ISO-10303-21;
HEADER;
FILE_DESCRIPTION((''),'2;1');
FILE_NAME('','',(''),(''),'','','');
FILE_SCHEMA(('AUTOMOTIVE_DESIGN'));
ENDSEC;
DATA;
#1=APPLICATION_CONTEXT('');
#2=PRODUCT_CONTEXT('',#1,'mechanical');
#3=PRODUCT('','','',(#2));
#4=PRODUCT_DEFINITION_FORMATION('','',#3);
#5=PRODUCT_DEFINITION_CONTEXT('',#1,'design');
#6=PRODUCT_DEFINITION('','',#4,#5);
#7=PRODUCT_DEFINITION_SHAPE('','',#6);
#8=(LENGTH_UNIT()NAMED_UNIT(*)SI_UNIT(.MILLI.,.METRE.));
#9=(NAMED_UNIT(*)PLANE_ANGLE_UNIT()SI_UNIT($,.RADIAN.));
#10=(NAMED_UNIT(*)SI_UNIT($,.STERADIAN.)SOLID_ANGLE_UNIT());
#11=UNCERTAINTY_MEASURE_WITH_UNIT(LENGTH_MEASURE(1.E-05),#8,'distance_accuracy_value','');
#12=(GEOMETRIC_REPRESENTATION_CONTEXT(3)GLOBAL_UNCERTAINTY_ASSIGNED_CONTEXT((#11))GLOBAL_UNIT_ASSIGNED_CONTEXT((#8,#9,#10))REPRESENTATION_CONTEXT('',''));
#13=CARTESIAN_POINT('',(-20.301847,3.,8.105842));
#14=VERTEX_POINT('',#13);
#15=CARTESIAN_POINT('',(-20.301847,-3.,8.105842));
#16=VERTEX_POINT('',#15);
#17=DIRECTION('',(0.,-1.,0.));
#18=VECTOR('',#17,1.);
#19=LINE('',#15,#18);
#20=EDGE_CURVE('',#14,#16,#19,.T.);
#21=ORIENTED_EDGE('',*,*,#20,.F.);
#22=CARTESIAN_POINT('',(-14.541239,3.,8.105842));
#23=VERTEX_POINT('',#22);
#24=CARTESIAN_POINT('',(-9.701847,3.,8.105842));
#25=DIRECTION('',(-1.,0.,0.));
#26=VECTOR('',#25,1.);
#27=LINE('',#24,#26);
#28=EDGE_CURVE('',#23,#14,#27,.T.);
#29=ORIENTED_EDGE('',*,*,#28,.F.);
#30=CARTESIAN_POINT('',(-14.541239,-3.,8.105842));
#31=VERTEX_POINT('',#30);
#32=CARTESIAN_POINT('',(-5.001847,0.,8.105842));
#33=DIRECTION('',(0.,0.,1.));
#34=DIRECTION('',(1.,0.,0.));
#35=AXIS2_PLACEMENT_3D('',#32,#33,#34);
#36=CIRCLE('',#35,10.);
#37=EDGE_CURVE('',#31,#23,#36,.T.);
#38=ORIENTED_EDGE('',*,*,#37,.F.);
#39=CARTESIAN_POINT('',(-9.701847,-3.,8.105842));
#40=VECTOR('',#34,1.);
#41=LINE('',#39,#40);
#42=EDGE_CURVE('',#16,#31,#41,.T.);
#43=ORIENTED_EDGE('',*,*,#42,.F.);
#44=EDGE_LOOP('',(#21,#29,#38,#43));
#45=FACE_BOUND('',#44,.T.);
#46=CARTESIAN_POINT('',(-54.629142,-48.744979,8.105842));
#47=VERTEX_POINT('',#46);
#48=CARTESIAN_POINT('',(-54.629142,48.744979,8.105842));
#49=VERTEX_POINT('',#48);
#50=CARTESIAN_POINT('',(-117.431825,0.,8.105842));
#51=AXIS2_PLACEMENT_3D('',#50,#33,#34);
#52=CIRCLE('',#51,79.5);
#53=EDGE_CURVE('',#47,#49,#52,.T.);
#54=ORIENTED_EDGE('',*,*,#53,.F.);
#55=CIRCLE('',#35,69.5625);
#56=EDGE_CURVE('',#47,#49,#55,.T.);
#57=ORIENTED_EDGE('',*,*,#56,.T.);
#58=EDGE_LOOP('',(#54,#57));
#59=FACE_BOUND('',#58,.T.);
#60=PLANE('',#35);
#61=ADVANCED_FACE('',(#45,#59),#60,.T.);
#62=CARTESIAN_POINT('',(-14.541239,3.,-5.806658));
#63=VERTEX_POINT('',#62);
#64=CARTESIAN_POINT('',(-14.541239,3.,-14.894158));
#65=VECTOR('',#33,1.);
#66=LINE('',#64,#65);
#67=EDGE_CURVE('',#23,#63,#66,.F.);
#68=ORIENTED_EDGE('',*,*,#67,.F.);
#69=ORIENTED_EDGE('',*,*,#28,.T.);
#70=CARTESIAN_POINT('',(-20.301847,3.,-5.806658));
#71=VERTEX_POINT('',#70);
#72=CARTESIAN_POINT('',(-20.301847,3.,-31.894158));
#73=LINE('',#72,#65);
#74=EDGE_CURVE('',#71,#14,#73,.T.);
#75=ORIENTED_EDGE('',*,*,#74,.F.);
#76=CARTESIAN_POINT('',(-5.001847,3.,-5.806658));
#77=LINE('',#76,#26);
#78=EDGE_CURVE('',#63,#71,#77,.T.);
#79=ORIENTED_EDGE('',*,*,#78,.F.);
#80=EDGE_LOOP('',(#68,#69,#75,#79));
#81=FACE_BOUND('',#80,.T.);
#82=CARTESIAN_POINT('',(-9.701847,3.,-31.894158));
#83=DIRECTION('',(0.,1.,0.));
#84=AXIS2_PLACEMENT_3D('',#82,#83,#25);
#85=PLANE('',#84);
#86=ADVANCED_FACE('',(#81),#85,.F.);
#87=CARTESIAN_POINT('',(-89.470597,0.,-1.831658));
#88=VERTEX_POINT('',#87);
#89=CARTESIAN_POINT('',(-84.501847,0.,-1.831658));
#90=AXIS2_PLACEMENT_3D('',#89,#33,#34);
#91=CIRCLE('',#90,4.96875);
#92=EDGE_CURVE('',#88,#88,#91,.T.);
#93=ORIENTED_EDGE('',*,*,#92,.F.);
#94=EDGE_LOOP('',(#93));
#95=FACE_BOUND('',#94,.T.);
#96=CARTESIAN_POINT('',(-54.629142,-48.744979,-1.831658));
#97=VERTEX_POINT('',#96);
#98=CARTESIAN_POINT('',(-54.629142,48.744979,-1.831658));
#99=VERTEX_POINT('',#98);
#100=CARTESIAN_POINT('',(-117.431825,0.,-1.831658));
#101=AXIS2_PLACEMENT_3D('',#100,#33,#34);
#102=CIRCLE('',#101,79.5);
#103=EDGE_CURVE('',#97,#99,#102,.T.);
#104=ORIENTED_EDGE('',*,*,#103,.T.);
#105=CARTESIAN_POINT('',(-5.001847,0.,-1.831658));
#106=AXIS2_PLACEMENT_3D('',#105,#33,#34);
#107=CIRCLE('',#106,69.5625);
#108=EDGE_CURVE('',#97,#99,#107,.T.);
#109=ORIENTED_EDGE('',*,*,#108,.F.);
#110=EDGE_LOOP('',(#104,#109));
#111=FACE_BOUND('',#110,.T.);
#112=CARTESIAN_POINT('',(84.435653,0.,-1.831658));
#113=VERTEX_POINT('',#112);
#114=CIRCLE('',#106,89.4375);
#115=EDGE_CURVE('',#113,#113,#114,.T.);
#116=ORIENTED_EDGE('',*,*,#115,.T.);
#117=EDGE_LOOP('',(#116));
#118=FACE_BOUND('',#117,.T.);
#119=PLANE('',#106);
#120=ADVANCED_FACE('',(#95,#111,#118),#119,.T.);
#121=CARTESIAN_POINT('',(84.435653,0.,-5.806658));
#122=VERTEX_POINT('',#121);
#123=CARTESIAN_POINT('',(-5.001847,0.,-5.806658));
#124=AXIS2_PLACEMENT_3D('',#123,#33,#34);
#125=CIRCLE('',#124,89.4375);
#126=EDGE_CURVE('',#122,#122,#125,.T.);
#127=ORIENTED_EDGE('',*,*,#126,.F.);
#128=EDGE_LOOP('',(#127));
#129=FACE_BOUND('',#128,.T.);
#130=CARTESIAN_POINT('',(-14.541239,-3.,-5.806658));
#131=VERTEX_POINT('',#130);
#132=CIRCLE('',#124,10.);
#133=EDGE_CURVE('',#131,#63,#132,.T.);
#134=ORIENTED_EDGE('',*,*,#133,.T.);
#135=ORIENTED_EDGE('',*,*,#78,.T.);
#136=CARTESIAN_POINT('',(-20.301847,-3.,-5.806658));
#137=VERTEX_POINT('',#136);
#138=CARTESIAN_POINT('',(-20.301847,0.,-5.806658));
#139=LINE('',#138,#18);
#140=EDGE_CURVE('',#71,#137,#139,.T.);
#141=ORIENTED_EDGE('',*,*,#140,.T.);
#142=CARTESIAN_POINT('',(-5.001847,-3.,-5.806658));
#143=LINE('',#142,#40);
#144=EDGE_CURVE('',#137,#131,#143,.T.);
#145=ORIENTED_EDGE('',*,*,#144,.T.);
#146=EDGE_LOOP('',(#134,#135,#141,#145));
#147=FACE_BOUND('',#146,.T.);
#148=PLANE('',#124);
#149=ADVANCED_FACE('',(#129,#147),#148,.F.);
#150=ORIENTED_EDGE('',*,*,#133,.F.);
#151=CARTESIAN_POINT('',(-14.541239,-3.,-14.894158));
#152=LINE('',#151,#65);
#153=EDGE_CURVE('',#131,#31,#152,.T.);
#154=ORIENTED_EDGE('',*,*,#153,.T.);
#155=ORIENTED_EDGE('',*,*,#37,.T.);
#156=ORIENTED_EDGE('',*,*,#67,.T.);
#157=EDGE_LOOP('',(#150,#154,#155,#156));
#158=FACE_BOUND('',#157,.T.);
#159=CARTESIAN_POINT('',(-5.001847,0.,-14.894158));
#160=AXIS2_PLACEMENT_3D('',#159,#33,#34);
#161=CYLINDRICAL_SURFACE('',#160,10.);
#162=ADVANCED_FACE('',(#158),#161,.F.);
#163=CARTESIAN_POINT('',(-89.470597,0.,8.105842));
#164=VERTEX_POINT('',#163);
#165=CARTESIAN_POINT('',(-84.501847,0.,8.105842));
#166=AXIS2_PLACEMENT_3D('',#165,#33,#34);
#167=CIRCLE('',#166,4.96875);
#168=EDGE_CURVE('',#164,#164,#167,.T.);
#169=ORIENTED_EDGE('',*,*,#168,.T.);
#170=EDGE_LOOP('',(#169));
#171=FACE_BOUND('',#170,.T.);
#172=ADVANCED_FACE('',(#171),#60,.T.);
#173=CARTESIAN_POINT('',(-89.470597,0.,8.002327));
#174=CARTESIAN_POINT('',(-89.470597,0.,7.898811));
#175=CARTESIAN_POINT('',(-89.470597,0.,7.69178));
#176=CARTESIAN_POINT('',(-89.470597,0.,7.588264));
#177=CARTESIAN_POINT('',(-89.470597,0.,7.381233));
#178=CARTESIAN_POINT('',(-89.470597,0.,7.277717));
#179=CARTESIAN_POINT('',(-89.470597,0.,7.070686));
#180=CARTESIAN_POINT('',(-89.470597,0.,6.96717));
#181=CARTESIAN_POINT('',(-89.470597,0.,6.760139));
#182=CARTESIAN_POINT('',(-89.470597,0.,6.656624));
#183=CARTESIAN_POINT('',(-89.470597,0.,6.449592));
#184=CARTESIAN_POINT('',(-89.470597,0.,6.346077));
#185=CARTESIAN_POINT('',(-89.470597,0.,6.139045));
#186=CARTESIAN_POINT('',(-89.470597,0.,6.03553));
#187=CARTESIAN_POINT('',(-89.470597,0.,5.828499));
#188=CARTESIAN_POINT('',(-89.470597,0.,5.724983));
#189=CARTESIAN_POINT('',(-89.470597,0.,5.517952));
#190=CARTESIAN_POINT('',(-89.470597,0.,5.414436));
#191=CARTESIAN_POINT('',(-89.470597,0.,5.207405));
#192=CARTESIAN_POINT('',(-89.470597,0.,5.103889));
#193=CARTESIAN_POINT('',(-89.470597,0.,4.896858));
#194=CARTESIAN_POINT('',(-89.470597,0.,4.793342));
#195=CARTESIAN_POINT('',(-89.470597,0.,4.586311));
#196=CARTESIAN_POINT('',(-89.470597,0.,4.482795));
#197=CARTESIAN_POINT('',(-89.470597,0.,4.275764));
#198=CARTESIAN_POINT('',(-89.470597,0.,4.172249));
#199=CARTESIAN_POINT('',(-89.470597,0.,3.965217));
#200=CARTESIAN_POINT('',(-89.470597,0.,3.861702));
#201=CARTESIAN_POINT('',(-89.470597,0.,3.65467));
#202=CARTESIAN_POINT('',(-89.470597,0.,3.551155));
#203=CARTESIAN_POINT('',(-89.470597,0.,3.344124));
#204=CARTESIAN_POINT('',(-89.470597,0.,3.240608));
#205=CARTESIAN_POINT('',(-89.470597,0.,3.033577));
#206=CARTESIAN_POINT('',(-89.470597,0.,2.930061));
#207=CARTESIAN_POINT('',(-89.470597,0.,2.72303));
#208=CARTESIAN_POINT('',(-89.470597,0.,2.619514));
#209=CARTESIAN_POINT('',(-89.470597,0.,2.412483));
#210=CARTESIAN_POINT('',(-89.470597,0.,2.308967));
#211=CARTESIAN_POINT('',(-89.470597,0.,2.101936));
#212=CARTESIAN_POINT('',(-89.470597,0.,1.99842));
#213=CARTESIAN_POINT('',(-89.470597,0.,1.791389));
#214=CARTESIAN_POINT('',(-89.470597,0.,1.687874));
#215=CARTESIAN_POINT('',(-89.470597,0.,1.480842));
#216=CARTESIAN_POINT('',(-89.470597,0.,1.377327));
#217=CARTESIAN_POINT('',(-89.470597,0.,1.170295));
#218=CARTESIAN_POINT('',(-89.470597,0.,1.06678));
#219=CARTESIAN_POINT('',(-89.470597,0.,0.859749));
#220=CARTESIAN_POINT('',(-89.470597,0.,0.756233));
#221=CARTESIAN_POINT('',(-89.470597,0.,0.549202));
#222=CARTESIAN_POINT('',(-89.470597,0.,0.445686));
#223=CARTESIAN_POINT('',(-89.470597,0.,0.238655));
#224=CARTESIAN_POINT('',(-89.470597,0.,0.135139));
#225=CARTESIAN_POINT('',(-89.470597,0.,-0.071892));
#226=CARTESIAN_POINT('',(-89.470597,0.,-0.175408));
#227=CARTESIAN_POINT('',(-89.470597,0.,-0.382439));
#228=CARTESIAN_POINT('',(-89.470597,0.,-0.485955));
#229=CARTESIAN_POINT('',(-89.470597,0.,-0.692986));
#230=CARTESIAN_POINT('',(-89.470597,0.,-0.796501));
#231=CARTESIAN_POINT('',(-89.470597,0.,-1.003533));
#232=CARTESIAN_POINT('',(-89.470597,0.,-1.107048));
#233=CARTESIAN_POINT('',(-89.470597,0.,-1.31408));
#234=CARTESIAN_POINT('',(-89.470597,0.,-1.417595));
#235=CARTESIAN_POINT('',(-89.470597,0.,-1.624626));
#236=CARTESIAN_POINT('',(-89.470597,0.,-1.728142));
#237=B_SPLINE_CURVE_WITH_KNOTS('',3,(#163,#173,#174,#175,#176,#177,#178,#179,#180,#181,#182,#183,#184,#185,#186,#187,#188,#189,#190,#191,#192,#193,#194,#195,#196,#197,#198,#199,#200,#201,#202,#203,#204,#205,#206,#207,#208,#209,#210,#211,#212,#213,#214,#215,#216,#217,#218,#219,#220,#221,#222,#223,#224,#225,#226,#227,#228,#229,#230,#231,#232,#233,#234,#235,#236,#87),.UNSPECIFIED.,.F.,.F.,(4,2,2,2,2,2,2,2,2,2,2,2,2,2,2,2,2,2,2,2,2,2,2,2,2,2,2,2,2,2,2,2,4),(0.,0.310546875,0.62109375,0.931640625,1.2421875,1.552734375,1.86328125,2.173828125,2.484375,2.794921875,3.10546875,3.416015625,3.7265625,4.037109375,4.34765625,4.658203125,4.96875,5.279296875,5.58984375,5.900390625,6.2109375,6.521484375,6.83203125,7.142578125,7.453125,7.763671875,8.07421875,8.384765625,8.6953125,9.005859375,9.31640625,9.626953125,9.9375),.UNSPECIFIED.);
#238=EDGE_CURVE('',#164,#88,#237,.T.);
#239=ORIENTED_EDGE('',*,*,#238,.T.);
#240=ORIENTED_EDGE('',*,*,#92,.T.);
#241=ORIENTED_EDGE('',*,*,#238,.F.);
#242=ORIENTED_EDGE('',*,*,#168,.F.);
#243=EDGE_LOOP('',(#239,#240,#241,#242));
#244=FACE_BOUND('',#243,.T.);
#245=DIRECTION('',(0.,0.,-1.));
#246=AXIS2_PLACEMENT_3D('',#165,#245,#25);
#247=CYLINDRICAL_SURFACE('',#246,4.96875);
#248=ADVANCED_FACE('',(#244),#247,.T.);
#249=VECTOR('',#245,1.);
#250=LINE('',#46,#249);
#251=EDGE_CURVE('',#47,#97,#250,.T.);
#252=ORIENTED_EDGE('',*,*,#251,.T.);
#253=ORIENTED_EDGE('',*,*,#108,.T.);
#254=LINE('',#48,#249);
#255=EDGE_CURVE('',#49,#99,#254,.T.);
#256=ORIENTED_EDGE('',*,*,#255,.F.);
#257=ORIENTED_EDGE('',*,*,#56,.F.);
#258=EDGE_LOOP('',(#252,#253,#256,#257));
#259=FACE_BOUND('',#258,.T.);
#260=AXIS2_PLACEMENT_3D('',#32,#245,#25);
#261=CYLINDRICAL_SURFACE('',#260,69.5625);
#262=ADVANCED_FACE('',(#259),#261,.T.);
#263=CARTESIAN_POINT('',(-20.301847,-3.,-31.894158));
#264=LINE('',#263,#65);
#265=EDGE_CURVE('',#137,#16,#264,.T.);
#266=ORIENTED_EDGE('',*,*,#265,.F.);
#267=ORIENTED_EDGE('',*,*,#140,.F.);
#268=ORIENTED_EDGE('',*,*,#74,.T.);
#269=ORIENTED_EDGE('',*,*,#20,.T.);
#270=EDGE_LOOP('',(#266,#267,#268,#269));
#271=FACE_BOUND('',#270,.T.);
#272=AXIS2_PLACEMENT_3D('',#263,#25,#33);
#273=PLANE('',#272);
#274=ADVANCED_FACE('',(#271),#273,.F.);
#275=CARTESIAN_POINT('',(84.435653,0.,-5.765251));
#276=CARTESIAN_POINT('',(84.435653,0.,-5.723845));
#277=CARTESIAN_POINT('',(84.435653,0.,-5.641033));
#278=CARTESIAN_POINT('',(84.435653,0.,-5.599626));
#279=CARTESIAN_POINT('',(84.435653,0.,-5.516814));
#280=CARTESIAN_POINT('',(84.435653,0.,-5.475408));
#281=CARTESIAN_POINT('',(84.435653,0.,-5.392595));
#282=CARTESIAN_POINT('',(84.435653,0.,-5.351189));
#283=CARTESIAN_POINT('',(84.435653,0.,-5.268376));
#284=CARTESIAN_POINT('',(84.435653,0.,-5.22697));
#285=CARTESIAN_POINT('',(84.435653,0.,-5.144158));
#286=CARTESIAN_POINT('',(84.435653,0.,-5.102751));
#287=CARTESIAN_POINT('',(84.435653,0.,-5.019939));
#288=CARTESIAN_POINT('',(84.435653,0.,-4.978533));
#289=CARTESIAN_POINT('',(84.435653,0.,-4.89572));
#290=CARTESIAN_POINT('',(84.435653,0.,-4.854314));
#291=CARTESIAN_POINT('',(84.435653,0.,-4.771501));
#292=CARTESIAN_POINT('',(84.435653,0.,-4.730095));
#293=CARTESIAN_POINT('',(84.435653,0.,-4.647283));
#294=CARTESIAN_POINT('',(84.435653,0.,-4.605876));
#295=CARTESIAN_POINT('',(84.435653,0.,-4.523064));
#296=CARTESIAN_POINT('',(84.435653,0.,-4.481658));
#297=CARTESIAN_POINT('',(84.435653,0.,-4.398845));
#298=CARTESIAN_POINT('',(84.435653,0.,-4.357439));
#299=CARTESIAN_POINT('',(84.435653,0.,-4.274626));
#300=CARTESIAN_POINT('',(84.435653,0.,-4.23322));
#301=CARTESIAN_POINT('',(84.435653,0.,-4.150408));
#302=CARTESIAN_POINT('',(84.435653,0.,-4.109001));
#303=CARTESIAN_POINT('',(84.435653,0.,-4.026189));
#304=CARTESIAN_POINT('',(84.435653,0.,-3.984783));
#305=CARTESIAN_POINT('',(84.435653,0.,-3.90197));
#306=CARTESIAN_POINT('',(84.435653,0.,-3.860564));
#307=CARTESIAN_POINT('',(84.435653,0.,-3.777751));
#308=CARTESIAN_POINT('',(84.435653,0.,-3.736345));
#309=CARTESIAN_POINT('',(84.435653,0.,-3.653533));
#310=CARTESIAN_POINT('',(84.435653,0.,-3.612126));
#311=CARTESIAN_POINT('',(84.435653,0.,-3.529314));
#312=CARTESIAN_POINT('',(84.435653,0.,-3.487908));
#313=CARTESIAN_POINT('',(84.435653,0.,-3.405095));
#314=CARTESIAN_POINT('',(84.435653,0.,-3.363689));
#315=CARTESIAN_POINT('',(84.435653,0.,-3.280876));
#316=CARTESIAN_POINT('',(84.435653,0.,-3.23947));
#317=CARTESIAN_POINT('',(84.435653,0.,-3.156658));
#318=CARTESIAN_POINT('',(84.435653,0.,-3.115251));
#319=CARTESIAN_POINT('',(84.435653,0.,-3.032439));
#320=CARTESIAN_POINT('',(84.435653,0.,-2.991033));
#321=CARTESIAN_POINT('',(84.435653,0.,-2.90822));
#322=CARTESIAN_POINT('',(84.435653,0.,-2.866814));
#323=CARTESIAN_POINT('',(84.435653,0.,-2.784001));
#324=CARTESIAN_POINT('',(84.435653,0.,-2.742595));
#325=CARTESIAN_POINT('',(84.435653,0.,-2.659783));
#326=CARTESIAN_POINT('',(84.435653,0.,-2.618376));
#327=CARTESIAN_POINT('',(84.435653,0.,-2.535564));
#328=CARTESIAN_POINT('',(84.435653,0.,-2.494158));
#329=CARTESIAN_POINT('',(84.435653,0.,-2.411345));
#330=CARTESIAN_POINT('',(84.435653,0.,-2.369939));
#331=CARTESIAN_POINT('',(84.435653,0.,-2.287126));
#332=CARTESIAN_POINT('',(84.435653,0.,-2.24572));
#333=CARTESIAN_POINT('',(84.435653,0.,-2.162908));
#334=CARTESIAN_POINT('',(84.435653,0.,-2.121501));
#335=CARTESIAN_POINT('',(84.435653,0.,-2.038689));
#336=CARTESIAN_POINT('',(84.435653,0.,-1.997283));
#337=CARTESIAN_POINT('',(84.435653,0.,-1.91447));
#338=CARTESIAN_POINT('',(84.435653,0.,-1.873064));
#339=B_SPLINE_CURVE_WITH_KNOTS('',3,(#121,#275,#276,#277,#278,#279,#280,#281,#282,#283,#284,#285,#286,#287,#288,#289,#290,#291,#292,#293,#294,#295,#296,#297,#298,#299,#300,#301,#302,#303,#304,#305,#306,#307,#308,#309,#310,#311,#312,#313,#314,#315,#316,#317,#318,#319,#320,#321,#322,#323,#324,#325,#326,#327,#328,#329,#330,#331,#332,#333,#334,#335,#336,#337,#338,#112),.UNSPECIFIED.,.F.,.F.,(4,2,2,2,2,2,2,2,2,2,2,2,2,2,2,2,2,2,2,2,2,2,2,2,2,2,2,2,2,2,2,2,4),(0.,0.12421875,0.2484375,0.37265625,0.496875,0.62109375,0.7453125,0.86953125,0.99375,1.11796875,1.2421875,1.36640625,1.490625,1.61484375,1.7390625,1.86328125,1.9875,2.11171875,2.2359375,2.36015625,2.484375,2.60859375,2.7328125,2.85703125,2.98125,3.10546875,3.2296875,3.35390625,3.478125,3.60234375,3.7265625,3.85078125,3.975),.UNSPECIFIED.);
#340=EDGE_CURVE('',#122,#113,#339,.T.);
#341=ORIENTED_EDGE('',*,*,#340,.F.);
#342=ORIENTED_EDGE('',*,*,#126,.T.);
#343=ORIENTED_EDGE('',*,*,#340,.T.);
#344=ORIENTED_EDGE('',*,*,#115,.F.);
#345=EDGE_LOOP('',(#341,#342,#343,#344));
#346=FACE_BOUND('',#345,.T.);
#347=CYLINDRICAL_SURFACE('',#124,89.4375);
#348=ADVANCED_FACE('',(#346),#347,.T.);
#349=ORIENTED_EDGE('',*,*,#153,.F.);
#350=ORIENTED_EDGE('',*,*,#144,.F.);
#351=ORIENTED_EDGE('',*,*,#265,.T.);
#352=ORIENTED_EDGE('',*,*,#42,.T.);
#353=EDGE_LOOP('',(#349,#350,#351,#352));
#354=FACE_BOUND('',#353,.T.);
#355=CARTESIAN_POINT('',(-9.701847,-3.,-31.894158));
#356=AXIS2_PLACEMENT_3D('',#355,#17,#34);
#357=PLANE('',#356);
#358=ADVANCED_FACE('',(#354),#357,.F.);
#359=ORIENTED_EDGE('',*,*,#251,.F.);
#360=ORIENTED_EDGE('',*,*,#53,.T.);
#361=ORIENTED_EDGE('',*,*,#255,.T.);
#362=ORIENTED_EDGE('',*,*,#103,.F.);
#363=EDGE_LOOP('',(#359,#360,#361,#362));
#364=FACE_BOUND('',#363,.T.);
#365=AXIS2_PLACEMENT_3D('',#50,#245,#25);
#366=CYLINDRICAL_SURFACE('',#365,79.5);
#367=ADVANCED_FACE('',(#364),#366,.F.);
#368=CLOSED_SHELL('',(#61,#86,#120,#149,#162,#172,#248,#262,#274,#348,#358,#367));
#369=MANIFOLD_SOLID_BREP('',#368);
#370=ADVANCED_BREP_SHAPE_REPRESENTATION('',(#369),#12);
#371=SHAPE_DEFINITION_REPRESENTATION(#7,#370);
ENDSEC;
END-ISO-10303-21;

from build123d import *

# Parameters (mm, degrees)
SKETCH_1_R          = 3.5775
SKETCH_1_R_2        = 0.19875
EXTRUDE_2_DEPTH     = 0.159
EXTRUDE_START       = 0.3975
SKETCH_1_6_R        = 0.19875
EXTRUDE_3_DEPTH     = 0.3975
SCALE_2_SCALE       = 25
SKETCH_2_R          = 10
CUT_EXTRUDE_1_DEPTH = 23
SKETCH_3_W          = 10.6
SKETCH_3_H          = 6
CUT_EXTRUDE_2_DEPTH = 40


with BuildPart() as part:
    # 草图1 → 凸台-拉伸2 (new body)
    with BuildSketch(Plane.XY):
        Circle(SKETCH_1_R)
        Circle(SKETCH_1_R_2, mode=Mode.SUBTRACT)
    extrude(amount=-EXTRUDE_2_DEPTH)

    # 草图1<6> → 凸台-拉伸3 (add)
    # profile 1 of 2: a face of its own
    with BuildSketch(Plane.XY.offset(EXTRUDE_START)):
        with BuildLine():
            ThreePointArc((-1.985091803, 1.949799165), (-1.317199128, 0), (-1.985091803, -1.949799165))
            ThreePointArc((-1.985091803, -1.949799165), (2.7825, 0), (-1.985091803, 1.949799165))
        make_face()
        Circle(SKETCH_1_6_R, mode=Mode.SUBTRACT)
    # profile 2 of 2: a face of its own
    with BuildSketch(Plane.XY.offset(EXTRUDE_START)):
        with Locations((-3.18, 0)):
            Circle(SKETCH_1_6_R)
    extrude(amount=-EXTRUDE_3_DEPTH)


with BuildPart() as part_1:
    # 缩放比例2: scaled about (0.208410277, 0, 0.076319073)
    add(part.part.scale(SCALE_2_SCALE).moved(Location((-5.001846648, 0, -1.831657752))))

    # 草图2 → 切除-拉伸1 (cut)
    with BuildSketch(Plane.XY.offset(8.105842259)):
        with Locations((-5.001846653, 0)):
            Circle(SKETCH_2_R)
    extrude(amount=-CUT_EXTRUDE_1_DEPTH, mode=Mode.SUBTRACT)

    # 草图3 → 切除-拉伸2 (cut)
    with BuildSketch(Plane.XY.offset(8.105842259)):
        with Locations((-15.001846653, 0)):
            Rectangle(SKETCH_3_W, SKETCH_3_H)
    extrude(amount=-CUT_EXTRUDE_2_DEPTH, mode=Mode.SUBTRACT)


solid = part_1.part
